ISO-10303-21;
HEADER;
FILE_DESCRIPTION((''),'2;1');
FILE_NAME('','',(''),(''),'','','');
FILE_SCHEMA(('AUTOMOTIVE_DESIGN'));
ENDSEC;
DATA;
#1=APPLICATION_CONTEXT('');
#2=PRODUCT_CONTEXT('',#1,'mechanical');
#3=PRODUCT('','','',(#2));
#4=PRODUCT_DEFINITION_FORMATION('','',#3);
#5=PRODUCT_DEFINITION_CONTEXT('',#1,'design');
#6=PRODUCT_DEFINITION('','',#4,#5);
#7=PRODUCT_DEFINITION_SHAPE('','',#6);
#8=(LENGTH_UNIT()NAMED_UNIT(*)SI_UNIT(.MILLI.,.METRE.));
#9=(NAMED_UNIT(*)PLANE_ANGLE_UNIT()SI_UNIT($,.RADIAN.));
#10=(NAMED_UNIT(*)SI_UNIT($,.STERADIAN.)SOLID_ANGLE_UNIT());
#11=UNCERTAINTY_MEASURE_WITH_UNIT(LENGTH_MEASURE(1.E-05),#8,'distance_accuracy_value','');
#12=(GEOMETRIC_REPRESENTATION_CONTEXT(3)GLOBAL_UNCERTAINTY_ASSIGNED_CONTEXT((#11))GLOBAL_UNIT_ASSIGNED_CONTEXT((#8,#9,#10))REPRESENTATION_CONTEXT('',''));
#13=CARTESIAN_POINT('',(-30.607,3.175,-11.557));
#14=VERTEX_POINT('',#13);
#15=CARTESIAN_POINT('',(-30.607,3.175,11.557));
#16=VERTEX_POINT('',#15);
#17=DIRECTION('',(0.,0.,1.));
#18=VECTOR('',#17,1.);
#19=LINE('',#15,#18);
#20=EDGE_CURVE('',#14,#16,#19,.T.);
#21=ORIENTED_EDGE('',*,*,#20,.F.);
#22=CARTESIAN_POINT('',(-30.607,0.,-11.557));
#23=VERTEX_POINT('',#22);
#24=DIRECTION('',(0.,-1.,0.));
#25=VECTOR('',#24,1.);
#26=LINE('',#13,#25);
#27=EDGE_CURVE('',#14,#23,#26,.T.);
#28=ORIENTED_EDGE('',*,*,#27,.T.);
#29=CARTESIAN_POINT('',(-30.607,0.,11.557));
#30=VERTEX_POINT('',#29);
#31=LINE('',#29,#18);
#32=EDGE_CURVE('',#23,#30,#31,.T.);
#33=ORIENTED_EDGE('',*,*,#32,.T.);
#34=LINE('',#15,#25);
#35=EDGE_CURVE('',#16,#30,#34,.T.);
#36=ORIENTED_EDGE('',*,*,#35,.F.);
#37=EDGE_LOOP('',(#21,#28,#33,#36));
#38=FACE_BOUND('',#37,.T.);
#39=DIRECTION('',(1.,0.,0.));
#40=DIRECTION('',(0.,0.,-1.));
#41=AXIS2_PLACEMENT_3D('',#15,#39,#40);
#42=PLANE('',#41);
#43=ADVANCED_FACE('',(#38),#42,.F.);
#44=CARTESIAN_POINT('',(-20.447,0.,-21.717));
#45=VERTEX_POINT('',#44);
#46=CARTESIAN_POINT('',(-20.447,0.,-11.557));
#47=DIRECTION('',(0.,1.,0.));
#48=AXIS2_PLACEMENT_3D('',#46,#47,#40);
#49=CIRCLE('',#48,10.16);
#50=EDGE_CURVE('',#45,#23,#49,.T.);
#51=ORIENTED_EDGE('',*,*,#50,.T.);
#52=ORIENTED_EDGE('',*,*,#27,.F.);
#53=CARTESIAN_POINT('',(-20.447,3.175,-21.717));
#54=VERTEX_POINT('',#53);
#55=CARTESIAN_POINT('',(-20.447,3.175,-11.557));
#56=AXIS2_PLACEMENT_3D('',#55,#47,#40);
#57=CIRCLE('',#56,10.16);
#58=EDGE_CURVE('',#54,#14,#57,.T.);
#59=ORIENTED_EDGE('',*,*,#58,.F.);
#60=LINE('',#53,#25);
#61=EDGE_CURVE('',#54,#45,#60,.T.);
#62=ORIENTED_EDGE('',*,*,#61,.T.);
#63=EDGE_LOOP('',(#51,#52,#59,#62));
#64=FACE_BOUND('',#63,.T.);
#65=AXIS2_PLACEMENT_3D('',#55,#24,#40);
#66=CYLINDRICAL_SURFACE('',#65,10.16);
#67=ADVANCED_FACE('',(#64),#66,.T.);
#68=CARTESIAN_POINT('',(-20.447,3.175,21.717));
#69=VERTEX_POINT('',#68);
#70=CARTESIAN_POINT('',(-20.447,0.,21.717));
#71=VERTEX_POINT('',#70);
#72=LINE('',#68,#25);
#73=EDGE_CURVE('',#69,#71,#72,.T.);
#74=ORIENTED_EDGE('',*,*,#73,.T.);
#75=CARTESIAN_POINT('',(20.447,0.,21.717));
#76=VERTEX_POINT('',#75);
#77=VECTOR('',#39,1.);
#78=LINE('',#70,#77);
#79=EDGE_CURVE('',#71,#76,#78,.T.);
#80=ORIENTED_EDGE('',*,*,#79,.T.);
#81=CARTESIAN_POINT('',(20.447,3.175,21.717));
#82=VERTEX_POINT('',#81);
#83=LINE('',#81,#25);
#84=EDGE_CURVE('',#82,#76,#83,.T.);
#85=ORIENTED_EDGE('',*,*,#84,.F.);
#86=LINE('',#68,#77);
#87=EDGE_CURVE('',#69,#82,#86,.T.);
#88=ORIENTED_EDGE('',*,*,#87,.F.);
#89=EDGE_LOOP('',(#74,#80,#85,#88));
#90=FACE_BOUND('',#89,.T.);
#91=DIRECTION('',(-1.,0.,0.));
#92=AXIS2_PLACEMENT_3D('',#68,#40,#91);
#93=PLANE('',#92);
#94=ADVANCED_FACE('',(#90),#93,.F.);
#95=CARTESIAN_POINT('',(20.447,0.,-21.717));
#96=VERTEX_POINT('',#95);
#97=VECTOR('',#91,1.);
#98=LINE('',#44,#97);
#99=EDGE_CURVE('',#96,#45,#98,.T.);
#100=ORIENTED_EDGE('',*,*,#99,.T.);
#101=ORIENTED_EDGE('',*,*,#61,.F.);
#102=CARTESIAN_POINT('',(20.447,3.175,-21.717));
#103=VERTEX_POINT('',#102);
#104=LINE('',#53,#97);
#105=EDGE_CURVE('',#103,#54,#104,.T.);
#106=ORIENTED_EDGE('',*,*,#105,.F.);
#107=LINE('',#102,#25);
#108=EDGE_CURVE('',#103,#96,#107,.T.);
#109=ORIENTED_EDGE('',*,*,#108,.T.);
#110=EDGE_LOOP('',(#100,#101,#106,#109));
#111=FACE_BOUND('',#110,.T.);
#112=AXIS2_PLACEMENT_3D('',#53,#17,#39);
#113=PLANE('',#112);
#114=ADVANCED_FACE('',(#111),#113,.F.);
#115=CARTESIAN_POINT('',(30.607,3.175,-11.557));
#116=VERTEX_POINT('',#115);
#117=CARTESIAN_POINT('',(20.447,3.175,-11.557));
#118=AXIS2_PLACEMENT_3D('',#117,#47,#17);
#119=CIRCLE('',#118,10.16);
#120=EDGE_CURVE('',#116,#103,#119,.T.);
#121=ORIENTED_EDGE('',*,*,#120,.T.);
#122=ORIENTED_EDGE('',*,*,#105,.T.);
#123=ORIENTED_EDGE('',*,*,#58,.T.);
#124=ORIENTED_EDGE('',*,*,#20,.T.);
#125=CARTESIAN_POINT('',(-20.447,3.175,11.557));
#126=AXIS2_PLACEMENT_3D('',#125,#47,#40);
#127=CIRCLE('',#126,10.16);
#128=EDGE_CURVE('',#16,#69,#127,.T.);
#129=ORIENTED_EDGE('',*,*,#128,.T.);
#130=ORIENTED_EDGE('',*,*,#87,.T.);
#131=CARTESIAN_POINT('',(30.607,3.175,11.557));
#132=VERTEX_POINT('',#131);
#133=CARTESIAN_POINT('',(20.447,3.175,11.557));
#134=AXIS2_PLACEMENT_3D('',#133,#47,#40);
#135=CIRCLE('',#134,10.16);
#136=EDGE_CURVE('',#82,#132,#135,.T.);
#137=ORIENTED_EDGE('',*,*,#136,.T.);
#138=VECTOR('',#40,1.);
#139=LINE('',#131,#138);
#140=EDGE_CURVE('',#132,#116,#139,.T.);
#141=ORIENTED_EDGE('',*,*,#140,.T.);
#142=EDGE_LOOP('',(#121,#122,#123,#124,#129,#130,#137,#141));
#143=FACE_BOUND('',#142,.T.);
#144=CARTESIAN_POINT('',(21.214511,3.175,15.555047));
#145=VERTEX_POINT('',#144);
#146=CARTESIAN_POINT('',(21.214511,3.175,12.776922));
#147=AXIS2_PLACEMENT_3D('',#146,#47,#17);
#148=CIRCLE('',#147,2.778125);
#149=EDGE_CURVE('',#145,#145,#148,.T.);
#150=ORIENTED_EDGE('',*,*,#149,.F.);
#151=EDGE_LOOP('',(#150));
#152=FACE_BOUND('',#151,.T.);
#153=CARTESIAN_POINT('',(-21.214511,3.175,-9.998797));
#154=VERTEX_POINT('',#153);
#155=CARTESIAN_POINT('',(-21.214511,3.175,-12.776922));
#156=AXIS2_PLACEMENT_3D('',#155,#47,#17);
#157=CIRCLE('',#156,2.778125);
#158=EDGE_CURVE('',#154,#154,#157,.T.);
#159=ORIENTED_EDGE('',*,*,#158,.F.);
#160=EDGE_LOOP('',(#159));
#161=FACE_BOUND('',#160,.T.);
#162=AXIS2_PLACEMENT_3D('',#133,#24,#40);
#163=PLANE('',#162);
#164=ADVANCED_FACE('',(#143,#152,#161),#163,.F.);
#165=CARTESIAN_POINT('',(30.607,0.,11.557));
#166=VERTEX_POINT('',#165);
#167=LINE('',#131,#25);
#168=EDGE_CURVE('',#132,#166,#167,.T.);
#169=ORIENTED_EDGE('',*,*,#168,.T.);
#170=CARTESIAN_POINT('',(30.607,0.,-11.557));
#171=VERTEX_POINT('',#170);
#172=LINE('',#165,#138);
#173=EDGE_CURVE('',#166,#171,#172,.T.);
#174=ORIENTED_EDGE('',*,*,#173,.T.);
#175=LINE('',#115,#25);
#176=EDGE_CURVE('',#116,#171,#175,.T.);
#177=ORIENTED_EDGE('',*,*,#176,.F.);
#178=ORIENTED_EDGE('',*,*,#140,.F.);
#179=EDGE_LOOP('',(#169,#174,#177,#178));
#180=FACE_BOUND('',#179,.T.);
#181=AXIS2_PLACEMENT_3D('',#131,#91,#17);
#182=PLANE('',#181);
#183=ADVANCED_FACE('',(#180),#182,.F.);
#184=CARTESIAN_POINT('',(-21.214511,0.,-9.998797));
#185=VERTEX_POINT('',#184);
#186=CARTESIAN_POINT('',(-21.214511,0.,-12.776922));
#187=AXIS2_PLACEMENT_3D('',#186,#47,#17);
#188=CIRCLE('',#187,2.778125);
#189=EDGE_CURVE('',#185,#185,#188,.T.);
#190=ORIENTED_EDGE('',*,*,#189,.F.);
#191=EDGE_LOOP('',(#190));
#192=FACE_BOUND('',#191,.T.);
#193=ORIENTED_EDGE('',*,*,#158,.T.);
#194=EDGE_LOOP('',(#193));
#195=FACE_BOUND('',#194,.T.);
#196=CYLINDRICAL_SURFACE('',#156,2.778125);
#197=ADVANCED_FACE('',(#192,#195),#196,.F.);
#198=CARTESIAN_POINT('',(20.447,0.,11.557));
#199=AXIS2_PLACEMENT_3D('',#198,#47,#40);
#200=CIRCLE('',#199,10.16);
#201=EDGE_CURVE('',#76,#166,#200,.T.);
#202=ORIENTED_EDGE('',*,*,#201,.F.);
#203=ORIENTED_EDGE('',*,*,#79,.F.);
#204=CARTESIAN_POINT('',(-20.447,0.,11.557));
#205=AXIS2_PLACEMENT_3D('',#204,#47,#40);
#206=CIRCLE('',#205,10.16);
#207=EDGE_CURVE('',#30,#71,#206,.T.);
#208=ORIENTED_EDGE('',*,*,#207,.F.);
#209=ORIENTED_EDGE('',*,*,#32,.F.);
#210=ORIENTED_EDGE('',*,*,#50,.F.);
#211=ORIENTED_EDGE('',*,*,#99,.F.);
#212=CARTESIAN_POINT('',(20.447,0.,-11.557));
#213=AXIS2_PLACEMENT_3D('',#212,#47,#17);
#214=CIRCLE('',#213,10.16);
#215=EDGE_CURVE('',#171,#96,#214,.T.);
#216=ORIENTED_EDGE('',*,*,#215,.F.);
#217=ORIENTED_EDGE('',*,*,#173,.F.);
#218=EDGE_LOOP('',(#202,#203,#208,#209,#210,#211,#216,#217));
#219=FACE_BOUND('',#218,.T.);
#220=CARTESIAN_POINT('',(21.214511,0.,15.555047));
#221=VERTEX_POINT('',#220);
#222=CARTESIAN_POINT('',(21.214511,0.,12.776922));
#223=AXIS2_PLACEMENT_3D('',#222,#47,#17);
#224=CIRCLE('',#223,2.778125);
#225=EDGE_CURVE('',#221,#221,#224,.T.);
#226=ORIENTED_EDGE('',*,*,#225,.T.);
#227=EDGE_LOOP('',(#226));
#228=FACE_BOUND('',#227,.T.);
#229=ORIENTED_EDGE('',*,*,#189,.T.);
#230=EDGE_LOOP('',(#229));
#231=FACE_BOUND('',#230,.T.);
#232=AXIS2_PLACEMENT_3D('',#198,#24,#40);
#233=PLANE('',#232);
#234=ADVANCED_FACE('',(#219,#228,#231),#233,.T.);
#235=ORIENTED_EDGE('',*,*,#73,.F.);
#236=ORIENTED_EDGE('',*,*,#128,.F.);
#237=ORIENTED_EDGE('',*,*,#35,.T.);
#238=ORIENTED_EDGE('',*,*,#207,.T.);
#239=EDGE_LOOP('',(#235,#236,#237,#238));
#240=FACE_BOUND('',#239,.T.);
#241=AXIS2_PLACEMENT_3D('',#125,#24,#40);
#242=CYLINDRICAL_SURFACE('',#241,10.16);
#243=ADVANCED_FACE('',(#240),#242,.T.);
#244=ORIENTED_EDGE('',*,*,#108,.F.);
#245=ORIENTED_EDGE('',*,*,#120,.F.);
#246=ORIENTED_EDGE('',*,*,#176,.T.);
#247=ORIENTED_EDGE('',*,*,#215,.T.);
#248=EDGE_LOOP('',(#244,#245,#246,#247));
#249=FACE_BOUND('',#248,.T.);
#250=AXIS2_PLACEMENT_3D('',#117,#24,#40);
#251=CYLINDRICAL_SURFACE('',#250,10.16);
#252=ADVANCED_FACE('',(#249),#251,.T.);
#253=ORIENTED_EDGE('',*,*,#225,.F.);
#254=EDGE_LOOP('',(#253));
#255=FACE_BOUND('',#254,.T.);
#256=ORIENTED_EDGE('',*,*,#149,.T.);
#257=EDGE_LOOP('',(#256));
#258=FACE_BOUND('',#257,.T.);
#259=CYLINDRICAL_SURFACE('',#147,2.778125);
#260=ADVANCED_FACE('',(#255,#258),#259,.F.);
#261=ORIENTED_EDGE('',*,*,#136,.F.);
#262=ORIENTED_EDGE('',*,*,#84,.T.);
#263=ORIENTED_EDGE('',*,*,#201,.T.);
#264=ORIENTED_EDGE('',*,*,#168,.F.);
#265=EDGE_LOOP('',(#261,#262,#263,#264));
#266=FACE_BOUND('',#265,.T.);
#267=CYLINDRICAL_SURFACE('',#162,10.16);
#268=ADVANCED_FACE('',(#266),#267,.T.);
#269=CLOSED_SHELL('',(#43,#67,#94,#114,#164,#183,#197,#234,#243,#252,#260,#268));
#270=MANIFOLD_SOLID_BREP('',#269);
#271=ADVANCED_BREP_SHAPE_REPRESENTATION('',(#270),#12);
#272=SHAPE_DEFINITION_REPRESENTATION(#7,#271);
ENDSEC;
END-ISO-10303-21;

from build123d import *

# Parameters (mm, degrees)
BOSS_EXTRUDE1_DEPTH             = 3.175
F_7_32_0_21875_DIAMETER_HOLE1_D = 5.55625


with BuildPart() as part:
    # Sketch1 → Boss-Extrude1 (new body)
    with BuildSketch(Plane(origin=(0, 0, 0), x_dir=(1, 0, 0), z_dir=(0, 1, 0))):
        with BuildLine():
            Line((-20.447, -21.717), (20.447, -21.717))
            ThreePointArc((20.447, -21.717), (27.631204897, -18.741204897), (30.607, -11.557))
            Line((30.607, -11.557), (30.607, 11.557))
            ThreePointArc((30.607, 11.557), (27.631204897, 18.741204897), (20.447, 21.717))
            Line((20.447, 21.717), (-20.447, 21.717))
            ThreePointArc((-20.447, 21.717), (-27.631204897, 18.741204897), (-30.607, 11.557))
            Line((-30.607, 11.557), (-30.607, -11.557))
            ThreePointArc((-30.607, -11.557), (-27.631204897, -18.741204897), (-20.447, -21.717))
        make_face()
    extrude(amount=BOSS_EXTRUDE1_DEPTH)

    # 7/32 (0.21875) Diameter Hole1 (through all)
    with Locations(Plane(origin=(0, 3.175, 0), x_dir=(1, 0, 0), z_dir=(0, 1, 0))):
        with Locations((-21.214511478, 12.776921686), (21.214511478, -12.776921686)):
            Hole(F_7_32_0_21875_DIAMETER_HOLE1_D / 2)


solid = part.part
